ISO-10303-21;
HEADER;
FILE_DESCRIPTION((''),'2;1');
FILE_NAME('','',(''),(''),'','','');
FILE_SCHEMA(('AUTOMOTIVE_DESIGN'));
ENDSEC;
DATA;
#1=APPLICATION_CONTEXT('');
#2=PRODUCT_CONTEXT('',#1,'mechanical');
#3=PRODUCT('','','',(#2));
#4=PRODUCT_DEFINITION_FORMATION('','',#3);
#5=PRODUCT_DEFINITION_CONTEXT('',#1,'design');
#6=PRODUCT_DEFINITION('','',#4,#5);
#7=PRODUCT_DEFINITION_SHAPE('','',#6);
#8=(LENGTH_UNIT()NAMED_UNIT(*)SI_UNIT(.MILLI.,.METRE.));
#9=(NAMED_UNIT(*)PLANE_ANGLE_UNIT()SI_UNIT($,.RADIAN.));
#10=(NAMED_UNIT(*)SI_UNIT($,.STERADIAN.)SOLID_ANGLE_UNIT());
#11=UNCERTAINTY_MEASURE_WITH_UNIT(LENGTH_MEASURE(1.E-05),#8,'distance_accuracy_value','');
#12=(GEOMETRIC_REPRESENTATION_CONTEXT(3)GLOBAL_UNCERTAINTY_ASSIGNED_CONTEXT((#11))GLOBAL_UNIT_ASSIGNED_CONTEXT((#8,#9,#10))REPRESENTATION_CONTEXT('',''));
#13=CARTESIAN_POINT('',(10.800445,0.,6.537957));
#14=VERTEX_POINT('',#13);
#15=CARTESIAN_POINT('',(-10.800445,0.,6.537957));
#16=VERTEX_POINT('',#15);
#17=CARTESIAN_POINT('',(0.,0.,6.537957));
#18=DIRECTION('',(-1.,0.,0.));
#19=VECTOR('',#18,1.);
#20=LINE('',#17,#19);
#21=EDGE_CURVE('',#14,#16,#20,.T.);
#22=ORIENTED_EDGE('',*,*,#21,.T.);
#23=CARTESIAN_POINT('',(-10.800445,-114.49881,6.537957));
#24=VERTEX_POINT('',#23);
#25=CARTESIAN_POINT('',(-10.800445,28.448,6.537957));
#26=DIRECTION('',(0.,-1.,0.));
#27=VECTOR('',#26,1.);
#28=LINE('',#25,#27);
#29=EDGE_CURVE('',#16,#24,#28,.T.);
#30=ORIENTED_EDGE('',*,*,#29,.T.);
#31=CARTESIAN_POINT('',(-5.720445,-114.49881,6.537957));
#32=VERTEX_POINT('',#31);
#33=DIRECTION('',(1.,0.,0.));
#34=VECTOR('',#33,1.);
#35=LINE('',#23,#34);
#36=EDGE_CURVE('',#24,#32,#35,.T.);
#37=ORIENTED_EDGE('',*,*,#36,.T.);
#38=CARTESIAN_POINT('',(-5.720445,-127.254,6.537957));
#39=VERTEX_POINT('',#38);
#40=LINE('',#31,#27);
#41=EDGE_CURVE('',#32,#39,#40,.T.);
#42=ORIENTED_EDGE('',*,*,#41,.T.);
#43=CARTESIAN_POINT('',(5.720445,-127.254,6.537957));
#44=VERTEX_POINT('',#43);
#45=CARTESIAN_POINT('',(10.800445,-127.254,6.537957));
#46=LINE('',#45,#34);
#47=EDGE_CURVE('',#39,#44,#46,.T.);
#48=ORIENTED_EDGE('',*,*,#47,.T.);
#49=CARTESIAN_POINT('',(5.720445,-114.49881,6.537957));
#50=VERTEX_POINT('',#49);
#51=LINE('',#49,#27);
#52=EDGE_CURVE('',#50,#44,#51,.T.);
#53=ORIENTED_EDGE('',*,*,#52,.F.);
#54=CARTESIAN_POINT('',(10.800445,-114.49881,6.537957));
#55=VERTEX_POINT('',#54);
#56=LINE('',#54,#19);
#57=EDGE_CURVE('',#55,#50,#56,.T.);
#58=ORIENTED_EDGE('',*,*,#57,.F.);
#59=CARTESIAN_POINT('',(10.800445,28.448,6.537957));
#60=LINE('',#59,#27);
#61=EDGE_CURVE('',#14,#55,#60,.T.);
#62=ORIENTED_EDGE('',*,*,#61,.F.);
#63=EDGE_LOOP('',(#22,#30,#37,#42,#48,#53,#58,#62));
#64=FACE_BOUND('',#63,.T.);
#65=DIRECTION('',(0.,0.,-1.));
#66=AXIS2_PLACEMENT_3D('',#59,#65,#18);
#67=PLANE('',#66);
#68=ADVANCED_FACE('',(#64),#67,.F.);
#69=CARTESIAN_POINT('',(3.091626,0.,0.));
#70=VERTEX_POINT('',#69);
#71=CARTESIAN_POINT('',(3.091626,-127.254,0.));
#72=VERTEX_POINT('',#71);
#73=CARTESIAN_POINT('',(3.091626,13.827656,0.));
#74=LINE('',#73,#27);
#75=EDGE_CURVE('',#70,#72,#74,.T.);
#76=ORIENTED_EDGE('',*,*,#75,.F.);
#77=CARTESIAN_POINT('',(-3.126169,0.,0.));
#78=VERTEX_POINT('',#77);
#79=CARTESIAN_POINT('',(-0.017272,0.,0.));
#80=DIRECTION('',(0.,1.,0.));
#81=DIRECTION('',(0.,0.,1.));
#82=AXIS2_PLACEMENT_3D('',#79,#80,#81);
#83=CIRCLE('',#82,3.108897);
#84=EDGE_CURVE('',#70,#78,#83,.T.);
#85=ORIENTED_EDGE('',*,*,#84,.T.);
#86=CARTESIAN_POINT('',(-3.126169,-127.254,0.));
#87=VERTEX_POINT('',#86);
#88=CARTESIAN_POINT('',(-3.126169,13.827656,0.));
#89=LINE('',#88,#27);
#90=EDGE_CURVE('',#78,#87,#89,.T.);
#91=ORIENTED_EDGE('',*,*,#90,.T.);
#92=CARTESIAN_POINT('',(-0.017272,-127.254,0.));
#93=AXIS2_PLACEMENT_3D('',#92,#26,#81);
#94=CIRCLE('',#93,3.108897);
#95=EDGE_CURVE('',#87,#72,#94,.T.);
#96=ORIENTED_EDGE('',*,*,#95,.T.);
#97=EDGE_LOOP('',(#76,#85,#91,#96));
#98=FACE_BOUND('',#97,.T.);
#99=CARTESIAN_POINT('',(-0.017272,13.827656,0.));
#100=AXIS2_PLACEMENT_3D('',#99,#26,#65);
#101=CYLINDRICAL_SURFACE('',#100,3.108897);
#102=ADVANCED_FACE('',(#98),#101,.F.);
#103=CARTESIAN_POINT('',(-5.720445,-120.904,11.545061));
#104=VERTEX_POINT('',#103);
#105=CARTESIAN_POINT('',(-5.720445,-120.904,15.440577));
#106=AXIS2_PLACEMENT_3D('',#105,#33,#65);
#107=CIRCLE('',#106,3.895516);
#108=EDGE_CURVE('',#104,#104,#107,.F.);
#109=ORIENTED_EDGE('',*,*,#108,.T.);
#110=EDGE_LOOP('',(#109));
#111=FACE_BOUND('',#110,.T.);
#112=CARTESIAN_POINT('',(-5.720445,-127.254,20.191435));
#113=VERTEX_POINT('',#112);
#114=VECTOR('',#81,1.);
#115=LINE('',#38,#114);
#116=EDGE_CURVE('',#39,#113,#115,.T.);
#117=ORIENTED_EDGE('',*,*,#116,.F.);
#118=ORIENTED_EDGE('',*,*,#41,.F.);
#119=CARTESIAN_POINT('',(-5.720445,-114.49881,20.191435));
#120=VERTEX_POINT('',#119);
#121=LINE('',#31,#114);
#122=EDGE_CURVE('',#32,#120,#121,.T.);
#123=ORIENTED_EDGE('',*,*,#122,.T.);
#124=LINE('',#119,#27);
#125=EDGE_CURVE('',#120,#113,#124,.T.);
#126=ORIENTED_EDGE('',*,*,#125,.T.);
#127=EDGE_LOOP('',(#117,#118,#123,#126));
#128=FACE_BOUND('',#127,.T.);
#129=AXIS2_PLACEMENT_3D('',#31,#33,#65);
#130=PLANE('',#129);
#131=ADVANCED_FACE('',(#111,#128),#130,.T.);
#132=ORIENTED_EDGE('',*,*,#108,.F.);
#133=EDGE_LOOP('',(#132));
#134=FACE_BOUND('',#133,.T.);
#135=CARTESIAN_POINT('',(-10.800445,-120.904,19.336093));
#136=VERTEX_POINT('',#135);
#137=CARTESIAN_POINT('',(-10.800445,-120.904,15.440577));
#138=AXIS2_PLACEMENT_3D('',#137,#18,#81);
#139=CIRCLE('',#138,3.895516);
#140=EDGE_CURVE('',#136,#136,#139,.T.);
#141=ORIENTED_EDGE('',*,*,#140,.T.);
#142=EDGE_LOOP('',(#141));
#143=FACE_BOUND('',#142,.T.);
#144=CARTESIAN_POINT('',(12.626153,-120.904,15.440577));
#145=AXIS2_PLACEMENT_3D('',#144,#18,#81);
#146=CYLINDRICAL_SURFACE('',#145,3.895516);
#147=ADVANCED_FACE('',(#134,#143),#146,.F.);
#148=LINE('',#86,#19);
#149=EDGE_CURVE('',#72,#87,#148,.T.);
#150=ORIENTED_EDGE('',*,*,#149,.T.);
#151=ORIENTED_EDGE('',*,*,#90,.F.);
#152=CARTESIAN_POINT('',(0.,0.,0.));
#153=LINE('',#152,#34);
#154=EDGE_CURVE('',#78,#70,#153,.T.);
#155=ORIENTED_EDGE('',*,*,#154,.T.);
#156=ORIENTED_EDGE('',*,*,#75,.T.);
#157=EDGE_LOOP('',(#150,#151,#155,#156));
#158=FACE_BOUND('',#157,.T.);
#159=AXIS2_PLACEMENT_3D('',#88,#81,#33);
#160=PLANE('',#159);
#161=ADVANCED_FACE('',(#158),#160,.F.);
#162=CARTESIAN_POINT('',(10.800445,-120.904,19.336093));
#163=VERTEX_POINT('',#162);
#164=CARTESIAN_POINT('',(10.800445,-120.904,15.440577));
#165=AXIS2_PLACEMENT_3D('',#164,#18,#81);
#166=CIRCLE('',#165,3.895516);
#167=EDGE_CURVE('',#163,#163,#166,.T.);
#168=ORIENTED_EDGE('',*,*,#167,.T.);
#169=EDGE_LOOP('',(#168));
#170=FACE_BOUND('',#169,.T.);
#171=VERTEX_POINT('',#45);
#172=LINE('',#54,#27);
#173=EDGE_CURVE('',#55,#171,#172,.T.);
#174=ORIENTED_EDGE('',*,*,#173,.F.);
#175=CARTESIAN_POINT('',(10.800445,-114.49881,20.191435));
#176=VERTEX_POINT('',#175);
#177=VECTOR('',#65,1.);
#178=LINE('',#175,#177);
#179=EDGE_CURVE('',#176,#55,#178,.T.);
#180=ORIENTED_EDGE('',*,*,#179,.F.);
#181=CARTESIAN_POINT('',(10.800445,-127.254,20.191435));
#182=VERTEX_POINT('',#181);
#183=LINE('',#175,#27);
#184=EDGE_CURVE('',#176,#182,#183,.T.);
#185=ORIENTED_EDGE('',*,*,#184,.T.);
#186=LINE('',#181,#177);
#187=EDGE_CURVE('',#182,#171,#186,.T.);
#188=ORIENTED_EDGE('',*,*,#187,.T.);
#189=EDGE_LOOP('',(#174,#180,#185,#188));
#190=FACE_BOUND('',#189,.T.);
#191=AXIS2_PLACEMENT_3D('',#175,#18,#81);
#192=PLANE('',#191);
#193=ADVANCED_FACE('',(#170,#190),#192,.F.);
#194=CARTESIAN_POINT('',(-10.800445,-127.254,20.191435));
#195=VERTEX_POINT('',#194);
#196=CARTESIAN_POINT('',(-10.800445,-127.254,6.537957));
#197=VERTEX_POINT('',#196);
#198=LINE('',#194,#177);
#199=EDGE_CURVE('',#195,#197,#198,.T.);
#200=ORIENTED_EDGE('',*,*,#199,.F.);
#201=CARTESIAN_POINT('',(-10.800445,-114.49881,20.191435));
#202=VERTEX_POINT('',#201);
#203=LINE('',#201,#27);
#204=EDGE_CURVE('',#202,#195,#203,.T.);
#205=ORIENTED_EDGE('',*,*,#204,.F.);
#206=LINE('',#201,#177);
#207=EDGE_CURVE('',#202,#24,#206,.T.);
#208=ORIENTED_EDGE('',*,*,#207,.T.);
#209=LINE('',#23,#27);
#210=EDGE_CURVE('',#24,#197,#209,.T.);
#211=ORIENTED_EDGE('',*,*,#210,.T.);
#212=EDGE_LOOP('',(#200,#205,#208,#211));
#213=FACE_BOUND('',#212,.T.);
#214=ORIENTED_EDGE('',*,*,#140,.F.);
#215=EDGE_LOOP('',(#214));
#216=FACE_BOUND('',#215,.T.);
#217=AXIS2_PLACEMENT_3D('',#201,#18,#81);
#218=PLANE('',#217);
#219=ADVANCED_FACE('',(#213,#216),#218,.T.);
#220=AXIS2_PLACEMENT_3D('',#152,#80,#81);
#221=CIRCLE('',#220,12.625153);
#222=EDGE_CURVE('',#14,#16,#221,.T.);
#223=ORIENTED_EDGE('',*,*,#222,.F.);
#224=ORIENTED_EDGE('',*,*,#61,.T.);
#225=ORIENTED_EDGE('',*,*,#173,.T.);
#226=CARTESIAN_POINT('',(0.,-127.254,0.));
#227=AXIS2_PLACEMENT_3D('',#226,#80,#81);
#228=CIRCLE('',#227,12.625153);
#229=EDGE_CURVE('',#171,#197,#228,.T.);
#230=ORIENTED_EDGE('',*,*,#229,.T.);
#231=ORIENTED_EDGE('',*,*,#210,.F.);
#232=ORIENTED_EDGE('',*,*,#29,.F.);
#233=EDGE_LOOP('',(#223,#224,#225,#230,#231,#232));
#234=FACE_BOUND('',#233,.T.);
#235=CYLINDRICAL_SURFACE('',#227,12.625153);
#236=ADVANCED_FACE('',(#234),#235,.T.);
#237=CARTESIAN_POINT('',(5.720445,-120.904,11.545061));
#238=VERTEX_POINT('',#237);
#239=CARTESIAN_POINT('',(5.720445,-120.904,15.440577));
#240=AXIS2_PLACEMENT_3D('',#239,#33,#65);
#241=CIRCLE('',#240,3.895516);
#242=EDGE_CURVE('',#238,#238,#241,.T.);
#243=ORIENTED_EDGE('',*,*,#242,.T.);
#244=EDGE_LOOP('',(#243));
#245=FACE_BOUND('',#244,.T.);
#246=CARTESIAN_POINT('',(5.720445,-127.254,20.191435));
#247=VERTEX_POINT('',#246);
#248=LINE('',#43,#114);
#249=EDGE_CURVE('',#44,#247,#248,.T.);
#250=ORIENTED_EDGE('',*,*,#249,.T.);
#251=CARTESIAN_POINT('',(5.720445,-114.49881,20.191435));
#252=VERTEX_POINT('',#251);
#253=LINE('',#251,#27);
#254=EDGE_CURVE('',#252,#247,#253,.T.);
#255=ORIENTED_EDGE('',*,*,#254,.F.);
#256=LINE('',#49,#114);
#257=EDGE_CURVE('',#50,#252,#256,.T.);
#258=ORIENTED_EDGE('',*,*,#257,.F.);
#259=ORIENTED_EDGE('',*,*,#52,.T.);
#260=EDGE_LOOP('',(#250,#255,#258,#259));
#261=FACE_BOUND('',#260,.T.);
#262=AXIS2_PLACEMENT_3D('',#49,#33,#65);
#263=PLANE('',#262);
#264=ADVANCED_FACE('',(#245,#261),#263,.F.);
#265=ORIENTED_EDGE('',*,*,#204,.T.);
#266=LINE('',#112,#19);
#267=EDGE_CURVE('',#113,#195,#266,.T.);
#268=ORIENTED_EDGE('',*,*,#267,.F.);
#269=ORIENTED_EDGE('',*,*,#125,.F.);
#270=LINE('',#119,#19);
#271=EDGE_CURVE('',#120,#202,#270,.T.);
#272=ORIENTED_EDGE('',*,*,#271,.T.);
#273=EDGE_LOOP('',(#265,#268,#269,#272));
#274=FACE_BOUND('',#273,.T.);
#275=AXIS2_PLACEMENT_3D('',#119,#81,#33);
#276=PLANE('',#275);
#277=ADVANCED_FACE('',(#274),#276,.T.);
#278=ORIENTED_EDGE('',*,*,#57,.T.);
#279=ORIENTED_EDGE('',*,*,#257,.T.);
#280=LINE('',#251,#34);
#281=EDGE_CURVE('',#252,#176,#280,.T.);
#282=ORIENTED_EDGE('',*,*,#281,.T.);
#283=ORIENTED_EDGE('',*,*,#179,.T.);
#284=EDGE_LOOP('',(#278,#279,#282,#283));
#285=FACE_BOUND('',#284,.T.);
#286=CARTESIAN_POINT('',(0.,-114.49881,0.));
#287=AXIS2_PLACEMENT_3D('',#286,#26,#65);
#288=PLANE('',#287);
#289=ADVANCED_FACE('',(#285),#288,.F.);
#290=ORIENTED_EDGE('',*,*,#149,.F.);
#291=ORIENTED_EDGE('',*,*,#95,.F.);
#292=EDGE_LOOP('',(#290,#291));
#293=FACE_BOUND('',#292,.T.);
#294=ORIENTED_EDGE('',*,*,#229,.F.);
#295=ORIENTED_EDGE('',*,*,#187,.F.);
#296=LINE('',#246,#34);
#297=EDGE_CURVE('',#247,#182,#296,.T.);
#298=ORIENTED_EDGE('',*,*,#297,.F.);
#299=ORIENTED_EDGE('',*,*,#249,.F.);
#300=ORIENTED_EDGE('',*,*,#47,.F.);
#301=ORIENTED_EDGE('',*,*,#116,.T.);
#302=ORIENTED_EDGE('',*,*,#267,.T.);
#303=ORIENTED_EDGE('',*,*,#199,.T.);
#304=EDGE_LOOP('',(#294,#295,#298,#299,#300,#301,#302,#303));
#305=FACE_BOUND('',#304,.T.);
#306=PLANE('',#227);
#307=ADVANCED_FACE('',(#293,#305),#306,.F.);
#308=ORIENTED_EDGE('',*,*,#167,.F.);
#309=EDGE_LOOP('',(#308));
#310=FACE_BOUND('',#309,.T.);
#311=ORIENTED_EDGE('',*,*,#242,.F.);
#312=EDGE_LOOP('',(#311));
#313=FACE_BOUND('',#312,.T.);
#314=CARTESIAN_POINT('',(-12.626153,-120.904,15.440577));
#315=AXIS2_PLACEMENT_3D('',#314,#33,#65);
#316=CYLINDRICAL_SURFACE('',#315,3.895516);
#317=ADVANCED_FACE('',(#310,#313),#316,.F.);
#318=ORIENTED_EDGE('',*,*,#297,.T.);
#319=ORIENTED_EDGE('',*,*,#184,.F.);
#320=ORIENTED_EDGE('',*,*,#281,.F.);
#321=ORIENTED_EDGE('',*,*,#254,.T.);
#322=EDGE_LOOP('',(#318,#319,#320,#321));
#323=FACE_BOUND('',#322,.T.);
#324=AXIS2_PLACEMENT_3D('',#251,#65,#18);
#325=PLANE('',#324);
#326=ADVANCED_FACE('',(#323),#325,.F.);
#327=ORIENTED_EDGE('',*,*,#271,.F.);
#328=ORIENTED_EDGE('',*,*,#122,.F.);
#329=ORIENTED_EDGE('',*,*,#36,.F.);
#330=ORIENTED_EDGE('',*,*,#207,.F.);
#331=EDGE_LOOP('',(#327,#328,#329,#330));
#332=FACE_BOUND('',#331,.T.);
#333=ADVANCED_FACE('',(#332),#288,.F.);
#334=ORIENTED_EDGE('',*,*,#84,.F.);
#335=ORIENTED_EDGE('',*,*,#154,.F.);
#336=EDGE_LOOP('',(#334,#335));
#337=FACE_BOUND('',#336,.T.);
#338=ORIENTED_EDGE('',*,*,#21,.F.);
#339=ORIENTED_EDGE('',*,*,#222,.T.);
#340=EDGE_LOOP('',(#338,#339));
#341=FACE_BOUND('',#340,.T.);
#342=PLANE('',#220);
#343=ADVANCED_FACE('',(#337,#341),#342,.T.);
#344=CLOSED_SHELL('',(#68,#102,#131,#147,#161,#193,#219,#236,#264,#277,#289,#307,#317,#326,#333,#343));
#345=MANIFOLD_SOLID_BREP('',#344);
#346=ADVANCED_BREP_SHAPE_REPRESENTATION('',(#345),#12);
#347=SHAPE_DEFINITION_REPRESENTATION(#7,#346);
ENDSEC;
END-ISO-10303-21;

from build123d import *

# Parameters (mm, degrees)
SKETCH1_R           = 12.62515314
BOSS_EXTRUDE1_DEPTH = 127.254
SKETCH2_W           = 21.600890372
SKETCH2_H           = 6.08719661
CUT_EXTRUDE1_DEPTH  = 155.702
CUT_EXTRUDE2_DEPTH  = 141.081655767
SKETCH4_W           = 5.08
SKETCH4_H           = 13.653478909
BOSS_EXTRUDE2_DEPTH = 12.755190121
CUT_EXTRUDE3_REACH  = 132.958
SKETCH15_R          = 3.895516075


with BuildPart() as part:
    # Sketch1 → Boss-Extrude1 (new body)
    with BuildSketch(Plane(origin=(0, 0, 0), x_dir=(1, 0, 0), z_dir=(0, 1, 0))):
        with Locations(Location((0, 0, 0), (0, 0, 270))):
            Circle(SKETCH1_R)
    extrude(amount=-BOSS_EXTRUDE1_DEPTH)

    # Sketch2 → Cut-Extrude1 (cut)
    with BuildSketch(Plane(origin=(0, -127.254, 0), x_dir=(-1, 0, 0), z_dir=(0, -1, 0))):
        with Locations((0, -9.581554835)):
            Rectangle(SKETCH2_W, SKETCH2_H)
    extrude(amount=-CUT_EXTRUDE1_DEPTH, mode=Mode.SUBTRACT)

    # Sketch3 → Cut-Extrude2 (cut)
    with BuildSketch(Plane(origin=(0, -127.254, 0), x_dir=(-1, 0, 0), z_dir=(0, -1, 0))):
        with BuildLine():
            Line((3.126169088, 0), (-3.091625783, 0))
            ThreePointArc((-3.091625783, 0), (0.017271652, 3.108897435), (3.126169088, 0))
        make_face()
    extrude(amount=-CUT_EXTRUDE2_DEPTH, mode=Mode.SUBTRACT)

    # Sketch4 → Boss-Extrude2 (add)
    with BuildSketch(Plane.XZ.offset(127.254)):
        with Locations((-8.260445186, 13.364695985)):
            Rectangle(SKETCH4_W, SKETCH4_H)
    boss_extrude2 = extrude(amount=-BOSS_EXTRUDE2_DEPTH)

    # Sketch15 → Cut-Extrude3 (cut, up to next)
    with BuildSketch(Plane.ZY.offset(10.800445186), mode=Mode.PRIVATE) as cut_extrude3_sk1:
        with Locations((15.440577286, -120.904)):
            Circle(SKETCH15_R)
    cut_extrude3_tool1 = extrude(cut_extrude3_sk1.sketch, amount=-CUT_EXTRUDE3_REACH, mode=Mode.PRIVATE) & part.part
    cut_extrude3 = cut_extrude3_tool1.solids().sort_by_distance((-10.800445, -120.904, 15.440577))[0]
    add(cut_extrude3, mode=Mode.SUBTRACT)

    # Mirror2: Boss-Extrude2, Cut-Extrude3 across plane
    add(boss_extrude2.mirror(Plane(origin=(0, 0, 0), x_dir=(0, 0, 1), z_dir=(1, 0, 0))))
    add(cut_extrude3.mirror(Plane(origin=(0, 0, 0), x_dir=(0, 0, 1), z_dir=(1, 0, 0))), mode=Mode.SUBTRACT)


solid = part.part
